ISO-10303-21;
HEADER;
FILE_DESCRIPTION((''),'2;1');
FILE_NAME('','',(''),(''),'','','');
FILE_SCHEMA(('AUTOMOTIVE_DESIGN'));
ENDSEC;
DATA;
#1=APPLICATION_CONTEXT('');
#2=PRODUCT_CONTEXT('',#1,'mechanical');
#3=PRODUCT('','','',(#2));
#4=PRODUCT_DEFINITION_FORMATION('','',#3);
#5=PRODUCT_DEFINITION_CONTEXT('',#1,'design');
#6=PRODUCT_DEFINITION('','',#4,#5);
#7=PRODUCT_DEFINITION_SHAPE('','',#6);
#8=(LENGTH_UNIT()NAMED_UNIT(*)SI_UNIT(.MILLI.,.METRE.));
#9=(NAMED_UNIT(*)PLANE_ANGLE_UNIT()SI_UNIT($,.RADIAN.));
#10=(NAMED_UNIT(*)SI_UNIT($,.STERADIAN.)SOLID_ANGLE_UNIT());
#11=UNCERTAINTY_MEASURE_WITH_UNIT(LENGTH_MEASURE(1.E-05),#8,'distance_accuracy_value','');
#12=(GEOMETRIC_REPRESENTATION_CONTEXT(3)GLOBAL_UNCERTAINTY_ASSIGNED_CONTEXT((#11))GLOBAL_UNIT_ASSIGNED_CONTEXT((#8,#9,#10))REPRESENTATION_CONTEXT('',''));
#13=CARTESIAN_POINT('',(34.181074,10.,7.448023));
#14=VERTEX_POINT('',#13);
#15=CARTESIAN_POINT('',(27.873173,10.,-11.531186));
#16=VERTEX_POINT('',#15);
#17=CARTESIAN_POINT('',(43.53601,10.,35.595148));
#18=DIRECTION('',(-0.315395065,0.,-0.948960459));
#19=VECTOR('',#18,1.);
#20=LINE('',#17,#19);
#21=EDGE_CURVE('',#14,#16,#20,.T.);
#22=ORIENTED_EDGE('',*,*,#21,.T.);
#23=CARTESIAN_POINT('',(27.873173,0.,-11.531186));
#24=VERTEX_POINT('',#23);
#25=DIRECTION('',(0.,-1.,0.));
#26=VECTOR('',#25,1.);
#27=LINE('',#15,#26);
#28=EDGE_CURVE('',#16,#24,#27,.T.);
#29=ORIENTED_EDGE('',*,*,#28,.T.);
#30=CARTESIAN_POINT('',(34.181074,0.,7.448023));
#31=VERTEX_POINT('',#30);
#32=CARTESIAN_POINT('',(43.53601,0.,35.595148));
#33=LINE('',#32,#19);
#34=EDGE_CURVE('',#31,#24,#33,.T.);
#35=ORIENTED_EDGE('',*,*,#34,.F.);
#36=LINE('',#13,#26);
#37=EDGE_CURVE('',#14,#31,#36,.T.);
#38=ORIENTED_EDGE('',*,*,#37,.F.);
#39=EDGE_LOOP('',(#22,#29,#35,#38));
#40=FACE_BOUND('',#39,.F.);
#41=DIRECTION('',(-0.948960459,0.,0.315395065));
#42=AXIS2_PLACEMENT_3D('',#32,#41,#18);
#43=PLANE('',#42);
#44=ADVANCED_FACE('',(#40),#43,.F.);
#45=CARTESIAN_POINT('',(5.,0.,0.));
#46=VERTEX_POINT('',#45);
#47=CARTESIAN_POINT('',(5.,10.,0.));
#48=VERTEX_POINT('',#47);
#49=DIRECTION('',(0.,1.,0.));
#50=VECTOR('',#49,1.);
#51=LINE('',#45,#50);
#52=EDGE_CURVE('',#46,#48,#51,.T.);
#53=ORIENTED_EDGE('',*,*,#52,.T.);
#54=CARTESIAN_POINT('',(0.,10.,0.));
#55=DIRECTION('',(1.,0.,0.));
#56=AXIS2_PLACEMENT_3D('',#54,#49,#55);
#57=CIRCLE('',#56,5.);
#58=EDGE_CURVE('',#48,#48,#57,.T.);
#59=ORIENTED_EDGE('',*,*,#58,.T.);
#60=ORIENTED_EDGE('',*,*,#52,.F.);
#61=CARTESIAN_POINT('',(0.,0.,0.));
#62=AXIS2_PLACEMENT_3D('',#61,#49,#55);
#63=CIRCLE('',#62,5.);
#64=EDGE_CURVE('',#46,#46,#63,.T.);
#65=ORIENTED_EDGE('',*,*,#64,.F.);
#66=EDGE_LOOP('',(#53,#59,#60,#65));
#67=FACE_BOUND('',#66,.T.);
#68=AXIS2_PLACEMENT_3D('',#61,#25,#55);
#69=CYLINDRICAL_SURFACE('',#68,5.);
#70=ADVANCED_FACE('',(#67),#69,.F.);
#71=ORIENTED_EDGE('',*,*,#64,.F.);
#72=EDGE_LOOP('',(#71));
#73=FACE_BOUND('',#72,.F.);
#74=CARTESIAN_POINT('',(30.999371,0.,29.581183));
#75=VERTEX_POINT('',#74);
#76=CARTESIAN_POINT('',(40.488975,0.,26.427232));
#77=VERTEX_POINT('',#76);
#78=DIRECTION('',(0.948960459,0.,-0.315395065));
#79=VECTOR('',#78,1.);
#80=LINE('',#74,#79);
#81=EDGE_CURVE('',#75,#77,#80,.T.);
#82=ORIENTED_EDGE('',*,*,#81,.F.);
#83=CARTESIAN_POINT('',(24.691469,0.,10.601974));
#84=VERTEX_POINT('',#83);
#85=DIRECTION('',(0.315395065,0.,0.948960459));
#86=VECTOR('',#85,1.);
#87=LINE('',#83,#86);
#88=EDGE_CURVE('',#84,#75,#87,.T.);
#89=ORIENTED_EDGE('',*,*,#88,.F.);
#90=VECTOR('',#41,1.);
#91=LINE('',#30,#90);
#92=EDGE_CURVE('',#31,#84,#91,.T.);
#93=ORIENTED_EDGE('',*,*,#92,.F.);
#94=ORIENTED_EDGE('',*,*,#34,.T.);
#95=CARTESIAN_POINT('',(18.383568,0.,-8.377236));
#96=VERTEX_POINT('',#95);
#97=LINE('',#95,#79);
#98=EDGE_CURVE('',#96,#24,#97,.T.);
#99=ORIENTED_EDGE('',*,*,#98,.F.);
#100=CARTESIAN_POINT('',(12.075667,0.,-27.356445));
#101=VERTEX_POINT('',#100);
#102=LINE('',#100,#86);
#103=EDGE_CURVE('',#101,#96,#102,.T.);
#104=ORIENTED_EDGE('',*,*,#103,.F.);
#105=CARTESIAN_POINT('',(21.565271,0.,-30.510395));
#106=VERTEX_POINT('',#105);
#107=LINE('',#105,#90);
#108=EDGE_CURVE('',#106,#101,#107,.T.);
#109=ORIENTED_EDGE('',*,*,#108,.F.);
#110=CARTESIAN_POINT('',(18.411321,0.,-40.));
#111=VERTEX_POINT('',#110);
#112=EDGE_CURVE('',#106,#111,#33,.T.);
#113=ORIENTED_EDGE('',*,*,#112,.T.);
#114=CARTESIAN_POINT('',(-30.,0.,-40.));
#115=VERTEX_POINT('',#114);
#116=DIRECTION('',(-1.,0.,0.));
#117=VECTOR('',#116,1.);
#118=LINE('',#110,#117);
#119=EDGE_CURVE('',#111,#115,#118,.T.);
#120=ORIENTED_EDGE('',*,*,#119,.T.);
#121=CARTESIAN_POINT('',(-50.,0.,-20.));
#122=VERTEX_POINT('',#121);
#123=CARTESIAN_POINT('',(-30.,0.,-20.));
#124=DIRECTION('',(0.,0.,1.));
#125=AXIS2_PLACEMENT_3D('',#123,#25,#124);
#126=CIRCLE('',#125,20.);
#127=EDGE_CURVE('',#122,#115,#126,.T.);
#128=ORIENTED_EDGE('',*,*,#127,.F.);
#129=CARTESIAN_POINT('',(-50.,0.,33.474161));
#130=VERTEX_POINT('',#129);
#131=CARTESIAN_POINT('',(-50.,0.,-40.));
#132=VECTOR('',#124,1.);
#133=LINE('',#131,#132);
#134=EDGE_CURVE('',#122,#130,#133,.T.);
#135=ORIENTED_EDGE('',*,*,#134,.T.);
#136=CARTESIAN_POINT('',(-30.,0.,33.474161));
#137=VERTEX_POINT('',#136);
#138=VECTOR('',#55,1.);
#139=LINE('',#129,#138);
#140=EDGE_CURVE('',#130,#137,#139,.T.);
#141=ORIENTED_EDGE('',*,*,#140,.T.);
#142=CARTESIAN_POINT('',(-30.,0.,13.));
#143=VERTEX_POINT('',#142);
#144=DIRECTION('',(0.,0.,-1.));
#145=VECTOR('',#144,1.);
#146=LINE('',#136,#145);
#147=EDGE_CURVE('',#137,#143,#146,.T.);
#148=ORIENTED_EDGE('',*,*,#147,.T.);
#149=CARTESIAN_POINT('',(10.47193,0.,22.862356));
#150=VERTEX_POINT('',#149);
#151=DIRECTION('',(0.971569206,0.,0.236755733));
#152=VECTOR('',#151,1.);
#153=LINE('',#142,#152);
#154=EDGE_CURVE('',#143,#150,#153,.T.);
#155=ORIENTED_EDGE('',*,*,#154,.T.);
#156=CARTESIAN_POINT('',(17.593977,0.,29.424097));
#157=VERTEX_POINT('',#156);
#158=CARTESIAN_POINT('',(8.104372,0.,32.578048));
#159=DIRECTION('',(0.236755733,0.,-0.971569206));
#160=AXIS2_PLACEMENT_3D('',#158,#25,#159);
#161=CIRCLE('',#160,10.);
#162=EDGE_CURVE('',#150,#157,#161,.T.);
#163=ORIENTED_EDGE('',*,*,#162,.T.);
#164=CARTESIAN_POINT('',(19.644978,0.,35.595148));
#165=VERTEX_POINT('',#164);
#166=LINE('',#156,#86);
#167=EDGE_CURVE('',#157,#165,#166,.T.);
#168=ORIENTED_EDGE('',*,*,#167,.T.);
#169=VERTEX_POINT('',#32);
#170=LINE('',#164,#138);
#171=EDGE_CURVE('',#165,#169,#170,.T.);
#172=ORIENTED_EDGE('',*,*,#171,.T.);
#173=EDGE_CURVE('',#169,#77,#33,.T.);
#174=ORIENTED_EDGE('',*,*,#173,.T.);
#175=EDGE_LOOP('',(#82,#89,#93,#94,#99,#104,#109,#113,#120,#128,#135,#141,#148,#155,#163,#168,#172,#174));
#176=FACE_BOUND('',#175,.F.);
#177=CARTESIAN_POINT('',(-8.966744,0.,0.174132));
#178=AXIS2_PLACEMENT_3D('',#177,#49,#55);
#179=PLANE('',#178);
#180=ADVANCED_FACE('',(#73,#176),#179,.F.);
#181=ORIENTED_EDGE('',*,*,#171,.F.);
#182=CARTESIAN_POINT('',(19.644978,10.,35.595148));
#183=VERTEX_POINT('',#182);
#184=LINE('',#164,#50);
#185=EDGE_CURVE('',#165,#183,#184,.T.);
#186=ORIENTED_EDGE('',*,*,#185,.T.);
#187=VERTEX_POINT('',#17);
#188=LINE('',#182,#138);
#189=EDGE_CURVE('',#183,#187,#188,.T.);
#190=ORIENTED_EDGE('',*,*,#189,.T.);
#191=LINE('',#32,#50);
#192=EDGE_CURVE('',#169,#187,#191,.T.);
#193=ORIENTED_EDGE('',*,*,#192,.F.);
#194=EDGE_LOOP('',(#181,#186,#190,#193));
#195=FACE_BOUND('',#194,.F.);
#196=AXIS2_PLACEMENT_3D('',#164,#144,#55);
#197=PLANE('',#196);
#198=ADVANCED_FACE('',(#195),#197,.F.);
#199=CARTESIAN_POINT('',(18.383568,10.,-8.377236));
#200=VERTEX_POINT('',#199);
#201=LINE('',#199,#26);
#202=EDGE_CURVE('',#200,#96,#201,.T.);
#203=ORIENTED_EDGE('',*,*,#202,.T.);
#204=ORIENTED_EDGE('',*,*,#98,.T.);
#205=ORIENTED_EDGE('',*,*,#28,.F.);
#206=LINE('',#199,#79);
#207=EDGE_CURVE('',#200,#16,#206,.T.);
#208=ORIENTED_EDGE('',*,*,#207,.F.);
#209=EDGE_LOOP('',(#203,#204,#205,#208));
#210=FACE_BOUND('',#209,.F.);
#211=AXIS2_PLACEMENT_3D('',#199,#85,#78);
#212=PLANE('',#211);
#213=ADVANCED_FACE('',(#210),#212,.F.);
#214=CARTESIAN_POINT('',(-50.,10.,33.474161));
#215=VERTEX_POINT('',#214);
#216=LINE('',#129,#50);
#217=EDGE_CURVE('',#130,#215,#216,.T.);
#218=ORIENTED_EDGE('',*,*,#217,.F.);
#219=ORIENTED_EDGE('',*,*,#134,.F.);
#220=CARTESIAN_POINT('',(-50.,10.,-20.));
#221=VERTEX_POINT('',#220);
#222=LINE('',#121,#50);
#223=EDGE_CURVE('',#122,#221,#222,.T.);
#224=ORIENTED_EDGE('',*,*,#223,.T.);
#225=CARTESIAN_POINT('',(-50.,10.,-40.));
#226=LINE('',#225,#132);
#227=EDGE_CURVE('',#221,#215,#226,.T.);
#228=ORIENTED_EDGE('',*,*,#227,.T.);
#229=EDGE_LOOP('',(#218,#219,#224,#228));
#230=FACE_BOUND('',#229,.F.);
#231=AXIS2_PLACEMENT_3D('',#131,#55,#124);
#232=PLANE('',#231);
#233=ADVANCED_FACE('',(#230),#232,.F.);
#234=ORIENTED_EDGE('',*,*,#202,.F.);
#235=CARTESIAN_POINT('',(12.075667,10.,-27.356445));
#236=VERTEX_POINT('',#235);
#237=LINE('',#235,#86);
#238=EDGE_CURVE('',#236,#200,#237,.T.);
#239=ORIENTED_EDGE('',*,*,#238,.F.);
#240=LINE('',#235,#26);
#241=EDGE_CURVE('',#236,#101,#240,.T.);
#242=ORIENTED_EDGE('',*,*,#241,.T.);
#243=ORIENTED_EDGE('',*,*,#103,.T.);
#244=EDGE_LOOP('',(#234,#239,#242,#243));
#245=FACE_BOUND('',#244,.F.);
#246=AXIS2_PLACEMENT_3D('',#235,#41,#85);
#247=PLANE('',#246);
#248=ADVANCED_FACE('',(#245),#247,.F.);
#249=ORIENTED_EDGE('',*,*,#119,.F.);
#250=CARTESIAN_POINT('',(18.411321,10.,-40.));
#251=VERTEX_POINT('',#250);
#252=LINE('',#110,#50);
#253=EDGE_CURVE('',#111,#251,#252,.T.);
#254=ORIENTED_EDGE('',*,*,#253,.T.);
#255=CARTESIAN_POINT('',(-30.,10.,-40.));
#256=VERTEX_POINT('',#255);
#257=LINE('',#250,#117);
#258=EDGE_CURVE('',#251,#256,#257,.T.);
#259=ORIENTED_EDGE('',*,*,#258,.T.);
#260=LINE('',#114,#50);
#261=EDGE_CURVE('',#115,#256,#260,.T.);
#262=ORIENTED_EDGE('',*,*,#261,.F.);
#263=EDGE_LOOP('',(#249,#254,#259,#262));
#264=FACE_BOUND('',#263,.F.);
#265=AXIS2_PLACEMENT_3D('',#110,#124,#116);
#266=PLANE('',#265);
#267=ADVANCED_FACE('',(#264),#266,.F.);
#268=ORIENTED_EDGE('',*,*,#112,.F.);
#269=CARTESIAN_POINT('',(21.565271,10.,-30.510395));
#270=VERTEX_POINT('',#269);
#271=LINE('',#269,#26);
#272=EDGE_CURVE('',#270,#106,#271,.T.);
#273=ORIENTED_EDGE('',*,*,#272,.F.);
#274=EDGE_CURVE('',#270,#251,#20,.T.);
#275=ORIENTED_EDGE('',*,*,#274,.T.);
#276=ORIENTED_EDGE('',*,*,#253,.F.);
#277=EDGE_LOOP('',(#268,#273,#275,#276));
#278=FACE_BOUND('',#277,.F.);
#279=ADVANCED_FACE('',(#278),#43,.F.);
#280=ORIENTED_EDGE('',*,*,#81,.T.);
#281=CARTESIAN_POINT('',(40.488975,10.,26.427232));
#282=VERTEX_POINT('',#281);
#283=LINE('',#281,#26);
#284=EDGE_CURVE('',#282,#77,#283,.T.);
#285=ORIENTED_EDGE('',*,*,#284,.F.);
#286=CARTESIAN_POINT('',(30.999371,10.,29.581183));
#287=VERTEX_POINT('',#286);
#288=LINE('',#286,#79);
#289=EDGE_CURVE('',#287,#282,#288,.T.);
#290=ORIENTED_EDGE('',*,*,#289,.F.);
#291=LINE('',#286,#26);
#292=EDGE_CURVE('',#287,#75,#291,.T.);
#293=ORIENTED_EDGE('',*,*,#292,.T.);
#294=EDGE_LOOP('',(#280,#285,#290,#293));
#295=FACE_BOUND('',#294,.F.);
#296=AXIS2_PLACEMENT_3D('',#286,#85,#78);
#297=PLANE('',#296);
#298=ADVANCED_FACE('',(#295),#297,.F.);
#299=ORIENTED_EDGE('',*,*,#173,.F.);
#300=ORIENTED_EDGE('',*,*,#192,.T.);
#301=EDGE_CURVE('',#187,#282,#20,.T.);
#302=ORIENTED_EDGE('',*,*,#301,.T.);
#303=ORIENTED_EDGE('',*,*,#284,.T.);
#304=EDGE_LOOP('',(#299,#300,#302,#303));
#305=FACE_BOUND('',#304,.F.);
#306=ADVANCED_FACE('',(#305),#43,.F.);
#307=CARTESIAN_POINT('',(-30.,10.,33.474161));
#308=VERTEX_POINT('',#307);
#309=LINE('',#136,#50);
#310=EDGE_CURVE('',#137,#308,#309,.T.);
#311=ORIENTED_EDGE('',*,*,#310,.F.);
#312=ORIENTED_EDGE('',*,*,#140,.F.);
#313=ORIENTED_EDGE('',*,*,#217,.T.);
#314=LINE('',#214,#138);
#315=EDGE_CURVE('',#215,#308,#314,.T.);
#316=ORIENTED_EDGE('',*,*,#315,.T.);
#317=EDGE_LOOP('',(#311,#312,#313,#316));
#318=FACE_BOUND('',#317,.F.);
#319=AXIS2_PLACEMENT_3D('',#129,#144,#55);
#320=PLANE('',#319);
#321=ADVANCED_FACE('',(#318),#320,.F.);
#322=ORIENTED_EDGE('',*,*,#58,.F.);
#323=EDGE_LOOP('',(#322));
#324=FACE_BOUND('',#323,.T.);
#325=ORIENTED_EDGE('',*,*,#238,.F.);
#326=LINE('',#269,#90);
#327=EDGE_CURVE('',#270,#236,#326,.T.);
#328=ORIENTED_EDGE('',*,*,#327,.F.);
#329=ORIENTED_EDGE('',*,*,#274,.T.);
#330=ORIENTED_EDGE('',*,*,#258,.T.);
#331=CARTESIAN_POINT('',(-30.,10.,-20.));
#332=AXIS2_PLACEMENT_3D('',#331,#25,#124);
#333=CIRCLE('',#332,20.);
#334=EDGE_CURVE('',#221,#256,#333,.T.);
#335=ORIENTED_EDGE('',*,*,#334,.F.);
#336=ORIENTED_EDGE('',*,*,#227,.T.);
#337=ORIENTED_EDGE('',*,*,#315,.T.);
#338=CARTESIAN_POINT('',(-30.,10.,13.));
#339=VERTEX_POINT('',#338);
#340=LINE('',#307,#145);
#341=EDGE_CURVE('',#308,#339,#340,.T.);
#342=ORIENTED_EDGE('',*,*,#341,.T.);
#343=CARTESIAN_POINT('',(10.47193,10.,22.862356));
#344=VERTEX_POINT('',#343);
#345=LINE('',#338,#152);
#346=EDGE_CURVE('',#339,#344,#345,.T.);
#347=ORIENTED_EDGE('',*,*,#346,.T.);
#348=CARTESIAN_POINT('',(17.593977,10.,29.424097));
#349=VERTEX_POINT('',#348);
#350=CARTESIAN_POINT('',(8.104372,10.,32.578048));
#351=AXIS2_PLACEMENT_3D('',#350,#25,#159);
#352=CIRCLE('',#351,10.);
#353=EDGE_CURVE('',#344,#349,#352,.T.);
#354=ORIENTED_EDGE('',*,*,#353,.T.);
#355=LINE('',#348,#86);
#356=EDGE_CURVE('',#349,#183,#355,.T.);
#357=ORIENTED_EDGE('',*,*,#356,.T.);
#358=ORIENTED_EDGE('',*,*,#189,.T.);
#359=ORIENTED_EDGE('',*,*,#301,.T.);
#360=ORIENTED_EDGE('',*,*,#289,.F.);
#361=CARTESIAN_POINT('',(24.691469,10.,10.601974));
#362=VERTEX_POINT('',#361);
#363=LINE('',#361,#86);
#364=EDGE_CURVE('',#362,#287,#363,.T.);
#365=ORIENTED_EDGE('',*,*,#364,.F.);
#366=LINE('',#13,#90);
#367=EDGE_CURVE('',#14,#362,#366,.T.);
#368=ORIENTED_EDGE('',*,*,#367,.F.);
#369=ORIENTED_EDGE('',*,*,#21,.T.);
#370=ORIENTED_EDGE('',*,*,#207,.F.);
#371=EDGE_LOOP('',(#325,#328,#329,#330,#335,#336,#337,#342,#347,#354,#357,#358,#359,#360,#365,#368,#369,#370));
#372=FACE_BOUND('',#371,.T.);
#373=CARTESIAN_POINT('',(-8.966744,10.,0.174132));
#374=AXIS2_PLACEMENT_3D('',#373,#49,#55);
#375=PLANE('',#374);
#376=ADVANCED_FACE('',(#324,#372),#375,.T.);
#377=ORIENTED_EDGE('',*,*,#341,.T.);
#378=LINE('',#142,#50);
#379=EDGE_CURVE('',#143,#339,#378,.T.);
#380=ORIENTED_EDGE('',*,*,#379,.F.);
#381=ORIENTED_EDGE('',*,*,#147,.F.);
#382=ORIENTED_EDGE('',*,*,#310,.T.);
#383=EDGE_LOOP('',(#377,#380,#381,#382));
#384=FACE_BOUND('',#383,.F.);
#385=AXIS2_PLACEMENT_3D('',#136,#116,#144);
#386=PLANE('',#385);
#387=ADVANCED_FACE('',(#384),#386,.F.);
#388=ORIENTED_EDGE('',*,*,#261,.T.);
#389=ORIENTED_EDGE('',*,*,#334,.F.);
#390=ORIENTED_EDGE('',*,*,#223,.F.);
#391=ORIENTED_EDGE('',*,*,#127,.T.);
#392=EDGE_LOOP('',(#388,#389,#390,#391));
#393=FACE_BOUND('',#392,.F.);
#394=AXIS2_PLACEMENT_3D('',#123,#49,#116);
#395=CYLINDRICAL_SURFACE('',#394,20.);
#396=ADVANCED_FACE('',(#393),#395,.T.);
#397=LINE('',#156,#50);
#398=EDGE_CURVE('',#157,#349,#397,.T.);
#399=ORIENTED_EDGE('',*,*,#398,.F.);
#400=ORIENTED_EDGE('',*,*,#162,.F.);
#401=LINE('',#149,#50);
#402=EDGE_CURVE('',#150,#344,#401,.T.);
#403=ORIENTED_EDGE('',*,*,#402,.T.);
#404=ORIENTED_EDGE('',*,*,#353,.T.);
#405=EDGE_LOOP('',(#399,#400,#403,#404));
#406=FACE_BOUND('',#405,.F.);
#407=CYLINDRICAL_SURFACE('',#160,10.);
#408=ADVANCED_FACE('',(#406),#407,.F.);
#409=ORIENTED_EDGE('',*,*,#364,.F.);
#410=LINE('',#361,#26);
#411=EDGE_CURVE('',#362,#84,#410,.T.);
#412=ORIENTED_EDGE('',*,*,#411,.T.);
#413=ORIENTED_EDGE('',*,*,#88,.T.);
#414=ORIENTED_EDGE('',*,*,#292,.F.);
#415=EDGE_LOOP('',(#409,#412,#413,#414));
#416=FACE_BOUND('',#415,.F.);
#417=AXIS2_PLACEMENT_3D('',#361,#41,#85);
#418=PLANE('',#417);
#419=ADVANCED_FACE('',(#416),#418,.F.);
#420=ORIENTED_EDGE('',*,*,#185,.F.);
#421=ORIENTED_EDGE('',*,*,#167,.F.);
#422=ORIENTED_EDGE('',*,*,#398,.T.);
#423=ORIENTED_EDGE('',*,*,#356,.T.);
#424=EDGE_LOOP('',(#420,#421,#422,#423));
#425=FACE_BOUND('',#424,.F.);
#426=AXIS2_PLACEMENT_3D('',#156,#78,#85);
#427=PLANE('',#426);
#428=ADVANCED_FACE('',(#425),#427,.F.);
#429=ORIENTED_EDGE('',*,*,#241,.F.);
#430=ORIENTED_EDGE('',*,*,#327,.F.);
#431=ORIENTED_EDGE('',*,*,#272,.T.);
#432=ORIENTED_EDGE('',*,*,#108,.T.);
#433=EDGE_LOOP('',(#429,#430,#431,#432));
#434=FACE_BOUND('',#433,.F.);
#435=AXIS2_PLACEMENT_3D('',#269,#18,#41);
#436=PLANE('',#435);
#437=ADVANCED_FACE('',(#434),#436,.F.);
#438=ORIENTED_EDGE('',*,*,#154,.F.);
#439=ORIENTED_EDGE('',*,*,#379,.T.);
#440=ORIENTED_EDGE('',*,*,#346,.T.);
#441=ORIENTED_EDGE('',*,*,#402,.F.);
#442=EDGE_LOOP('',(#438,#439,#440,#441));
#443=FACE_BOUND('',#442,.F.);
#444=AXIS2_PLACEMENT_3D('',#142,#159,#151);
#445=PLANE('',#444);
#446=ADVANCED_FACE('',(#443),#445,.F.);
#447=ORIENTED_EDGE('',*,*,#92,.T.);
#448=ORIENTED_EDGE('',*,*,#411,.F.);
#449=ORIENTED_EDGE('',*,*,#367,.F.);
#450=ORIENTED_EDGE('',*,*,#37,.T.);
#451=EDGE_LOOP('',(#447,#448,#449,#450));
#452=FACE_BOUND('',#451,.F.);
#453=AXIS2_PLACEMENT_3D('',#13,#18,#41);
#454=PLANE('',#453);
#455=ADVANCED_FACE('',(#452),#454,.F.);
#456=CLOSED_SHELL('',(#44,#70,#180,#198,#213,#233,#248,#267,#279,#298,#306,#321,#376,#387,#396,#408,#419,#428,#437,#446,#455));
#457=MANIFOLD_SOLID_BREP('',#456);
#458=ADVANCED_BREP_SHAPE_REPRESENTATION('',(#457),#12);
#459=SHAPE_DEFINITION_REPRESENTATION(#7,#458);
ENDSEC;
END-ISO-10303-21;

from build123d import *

# Parameters (mm, degrees)
SKETCH1_R           = 5
BOSS_EXTRUDE1_DEPTH = 10
CUT_EXTRUDE1_DEPTH  = 10
FILLET1_R           = 20


with BuildPart() as part:
    # Sketch1 → Boss-Extrude1 (new body)
    with BuildSketch(Plane(origin=(0, 0, 0), x_dir=(1, 0, 0), z_dir=(0, 1, 0))):
        with BuildLine():
            Line((43.536010052, -35.595148029), (18.411320837, 40))
            Line((18.411320837, 40), (-50, 40))
            Line((-50, 40), (-50, -13))
            Line((-50, -13), (-50, -33.474160509))
            Line((-50, -33.474160509), (-30, -33.474160509))
            Line((-30, -33.474160509), (-30, -13))
            Line((-30, -13), (10.471929596, -22.862355971))
            ThreePointArc((10.471929596, -22.862355971), (14.880225334, -25.223606168), (17.593976856, -29.424097387))
            Line((17.593976856, -29.424097387), (19.644977926, -35.595148029))
            Line((19.644977926, -35.595148029), (43.536010052, -35.595148029))
        make_face()
        Circle(SKETCH1_R, mode=Mode.SUBTRACT)
    extrude(amount=BOSS_EXTRUDE1_DEPTH)

    # Sketch2 → Cut-Extrude1 (cut)
    with BuildSketch(Plane(origin=(0, 10, 0), x_dir=(1, 0, 0), z_dir=(0, 1, 0))):
        Polygon((21.565271485, 30.510395408), (12.075666894, 27.35644476), (18.38356819, 8.377235576), (27.873172782, 11.531186225), align=None)
        Polygon((34.181074079, -7.448022959), (24.691469487, -10.601973607), (30.999370784, -29.581182791), (40.488975376, -26.427232142), align=None)
    extrude(amount=-CUT_EXTRUDE1_DEPTH, mode=Mode.SUBTRACT)

    # Fillet1
    fillet1_edges = [part.edges().sort_by_distance(p)[0] for p in [
        (-50, 5, -40),
    ]]
    fillet(fillet1_edges, radius=FILLET1_R)


solid = part.part
